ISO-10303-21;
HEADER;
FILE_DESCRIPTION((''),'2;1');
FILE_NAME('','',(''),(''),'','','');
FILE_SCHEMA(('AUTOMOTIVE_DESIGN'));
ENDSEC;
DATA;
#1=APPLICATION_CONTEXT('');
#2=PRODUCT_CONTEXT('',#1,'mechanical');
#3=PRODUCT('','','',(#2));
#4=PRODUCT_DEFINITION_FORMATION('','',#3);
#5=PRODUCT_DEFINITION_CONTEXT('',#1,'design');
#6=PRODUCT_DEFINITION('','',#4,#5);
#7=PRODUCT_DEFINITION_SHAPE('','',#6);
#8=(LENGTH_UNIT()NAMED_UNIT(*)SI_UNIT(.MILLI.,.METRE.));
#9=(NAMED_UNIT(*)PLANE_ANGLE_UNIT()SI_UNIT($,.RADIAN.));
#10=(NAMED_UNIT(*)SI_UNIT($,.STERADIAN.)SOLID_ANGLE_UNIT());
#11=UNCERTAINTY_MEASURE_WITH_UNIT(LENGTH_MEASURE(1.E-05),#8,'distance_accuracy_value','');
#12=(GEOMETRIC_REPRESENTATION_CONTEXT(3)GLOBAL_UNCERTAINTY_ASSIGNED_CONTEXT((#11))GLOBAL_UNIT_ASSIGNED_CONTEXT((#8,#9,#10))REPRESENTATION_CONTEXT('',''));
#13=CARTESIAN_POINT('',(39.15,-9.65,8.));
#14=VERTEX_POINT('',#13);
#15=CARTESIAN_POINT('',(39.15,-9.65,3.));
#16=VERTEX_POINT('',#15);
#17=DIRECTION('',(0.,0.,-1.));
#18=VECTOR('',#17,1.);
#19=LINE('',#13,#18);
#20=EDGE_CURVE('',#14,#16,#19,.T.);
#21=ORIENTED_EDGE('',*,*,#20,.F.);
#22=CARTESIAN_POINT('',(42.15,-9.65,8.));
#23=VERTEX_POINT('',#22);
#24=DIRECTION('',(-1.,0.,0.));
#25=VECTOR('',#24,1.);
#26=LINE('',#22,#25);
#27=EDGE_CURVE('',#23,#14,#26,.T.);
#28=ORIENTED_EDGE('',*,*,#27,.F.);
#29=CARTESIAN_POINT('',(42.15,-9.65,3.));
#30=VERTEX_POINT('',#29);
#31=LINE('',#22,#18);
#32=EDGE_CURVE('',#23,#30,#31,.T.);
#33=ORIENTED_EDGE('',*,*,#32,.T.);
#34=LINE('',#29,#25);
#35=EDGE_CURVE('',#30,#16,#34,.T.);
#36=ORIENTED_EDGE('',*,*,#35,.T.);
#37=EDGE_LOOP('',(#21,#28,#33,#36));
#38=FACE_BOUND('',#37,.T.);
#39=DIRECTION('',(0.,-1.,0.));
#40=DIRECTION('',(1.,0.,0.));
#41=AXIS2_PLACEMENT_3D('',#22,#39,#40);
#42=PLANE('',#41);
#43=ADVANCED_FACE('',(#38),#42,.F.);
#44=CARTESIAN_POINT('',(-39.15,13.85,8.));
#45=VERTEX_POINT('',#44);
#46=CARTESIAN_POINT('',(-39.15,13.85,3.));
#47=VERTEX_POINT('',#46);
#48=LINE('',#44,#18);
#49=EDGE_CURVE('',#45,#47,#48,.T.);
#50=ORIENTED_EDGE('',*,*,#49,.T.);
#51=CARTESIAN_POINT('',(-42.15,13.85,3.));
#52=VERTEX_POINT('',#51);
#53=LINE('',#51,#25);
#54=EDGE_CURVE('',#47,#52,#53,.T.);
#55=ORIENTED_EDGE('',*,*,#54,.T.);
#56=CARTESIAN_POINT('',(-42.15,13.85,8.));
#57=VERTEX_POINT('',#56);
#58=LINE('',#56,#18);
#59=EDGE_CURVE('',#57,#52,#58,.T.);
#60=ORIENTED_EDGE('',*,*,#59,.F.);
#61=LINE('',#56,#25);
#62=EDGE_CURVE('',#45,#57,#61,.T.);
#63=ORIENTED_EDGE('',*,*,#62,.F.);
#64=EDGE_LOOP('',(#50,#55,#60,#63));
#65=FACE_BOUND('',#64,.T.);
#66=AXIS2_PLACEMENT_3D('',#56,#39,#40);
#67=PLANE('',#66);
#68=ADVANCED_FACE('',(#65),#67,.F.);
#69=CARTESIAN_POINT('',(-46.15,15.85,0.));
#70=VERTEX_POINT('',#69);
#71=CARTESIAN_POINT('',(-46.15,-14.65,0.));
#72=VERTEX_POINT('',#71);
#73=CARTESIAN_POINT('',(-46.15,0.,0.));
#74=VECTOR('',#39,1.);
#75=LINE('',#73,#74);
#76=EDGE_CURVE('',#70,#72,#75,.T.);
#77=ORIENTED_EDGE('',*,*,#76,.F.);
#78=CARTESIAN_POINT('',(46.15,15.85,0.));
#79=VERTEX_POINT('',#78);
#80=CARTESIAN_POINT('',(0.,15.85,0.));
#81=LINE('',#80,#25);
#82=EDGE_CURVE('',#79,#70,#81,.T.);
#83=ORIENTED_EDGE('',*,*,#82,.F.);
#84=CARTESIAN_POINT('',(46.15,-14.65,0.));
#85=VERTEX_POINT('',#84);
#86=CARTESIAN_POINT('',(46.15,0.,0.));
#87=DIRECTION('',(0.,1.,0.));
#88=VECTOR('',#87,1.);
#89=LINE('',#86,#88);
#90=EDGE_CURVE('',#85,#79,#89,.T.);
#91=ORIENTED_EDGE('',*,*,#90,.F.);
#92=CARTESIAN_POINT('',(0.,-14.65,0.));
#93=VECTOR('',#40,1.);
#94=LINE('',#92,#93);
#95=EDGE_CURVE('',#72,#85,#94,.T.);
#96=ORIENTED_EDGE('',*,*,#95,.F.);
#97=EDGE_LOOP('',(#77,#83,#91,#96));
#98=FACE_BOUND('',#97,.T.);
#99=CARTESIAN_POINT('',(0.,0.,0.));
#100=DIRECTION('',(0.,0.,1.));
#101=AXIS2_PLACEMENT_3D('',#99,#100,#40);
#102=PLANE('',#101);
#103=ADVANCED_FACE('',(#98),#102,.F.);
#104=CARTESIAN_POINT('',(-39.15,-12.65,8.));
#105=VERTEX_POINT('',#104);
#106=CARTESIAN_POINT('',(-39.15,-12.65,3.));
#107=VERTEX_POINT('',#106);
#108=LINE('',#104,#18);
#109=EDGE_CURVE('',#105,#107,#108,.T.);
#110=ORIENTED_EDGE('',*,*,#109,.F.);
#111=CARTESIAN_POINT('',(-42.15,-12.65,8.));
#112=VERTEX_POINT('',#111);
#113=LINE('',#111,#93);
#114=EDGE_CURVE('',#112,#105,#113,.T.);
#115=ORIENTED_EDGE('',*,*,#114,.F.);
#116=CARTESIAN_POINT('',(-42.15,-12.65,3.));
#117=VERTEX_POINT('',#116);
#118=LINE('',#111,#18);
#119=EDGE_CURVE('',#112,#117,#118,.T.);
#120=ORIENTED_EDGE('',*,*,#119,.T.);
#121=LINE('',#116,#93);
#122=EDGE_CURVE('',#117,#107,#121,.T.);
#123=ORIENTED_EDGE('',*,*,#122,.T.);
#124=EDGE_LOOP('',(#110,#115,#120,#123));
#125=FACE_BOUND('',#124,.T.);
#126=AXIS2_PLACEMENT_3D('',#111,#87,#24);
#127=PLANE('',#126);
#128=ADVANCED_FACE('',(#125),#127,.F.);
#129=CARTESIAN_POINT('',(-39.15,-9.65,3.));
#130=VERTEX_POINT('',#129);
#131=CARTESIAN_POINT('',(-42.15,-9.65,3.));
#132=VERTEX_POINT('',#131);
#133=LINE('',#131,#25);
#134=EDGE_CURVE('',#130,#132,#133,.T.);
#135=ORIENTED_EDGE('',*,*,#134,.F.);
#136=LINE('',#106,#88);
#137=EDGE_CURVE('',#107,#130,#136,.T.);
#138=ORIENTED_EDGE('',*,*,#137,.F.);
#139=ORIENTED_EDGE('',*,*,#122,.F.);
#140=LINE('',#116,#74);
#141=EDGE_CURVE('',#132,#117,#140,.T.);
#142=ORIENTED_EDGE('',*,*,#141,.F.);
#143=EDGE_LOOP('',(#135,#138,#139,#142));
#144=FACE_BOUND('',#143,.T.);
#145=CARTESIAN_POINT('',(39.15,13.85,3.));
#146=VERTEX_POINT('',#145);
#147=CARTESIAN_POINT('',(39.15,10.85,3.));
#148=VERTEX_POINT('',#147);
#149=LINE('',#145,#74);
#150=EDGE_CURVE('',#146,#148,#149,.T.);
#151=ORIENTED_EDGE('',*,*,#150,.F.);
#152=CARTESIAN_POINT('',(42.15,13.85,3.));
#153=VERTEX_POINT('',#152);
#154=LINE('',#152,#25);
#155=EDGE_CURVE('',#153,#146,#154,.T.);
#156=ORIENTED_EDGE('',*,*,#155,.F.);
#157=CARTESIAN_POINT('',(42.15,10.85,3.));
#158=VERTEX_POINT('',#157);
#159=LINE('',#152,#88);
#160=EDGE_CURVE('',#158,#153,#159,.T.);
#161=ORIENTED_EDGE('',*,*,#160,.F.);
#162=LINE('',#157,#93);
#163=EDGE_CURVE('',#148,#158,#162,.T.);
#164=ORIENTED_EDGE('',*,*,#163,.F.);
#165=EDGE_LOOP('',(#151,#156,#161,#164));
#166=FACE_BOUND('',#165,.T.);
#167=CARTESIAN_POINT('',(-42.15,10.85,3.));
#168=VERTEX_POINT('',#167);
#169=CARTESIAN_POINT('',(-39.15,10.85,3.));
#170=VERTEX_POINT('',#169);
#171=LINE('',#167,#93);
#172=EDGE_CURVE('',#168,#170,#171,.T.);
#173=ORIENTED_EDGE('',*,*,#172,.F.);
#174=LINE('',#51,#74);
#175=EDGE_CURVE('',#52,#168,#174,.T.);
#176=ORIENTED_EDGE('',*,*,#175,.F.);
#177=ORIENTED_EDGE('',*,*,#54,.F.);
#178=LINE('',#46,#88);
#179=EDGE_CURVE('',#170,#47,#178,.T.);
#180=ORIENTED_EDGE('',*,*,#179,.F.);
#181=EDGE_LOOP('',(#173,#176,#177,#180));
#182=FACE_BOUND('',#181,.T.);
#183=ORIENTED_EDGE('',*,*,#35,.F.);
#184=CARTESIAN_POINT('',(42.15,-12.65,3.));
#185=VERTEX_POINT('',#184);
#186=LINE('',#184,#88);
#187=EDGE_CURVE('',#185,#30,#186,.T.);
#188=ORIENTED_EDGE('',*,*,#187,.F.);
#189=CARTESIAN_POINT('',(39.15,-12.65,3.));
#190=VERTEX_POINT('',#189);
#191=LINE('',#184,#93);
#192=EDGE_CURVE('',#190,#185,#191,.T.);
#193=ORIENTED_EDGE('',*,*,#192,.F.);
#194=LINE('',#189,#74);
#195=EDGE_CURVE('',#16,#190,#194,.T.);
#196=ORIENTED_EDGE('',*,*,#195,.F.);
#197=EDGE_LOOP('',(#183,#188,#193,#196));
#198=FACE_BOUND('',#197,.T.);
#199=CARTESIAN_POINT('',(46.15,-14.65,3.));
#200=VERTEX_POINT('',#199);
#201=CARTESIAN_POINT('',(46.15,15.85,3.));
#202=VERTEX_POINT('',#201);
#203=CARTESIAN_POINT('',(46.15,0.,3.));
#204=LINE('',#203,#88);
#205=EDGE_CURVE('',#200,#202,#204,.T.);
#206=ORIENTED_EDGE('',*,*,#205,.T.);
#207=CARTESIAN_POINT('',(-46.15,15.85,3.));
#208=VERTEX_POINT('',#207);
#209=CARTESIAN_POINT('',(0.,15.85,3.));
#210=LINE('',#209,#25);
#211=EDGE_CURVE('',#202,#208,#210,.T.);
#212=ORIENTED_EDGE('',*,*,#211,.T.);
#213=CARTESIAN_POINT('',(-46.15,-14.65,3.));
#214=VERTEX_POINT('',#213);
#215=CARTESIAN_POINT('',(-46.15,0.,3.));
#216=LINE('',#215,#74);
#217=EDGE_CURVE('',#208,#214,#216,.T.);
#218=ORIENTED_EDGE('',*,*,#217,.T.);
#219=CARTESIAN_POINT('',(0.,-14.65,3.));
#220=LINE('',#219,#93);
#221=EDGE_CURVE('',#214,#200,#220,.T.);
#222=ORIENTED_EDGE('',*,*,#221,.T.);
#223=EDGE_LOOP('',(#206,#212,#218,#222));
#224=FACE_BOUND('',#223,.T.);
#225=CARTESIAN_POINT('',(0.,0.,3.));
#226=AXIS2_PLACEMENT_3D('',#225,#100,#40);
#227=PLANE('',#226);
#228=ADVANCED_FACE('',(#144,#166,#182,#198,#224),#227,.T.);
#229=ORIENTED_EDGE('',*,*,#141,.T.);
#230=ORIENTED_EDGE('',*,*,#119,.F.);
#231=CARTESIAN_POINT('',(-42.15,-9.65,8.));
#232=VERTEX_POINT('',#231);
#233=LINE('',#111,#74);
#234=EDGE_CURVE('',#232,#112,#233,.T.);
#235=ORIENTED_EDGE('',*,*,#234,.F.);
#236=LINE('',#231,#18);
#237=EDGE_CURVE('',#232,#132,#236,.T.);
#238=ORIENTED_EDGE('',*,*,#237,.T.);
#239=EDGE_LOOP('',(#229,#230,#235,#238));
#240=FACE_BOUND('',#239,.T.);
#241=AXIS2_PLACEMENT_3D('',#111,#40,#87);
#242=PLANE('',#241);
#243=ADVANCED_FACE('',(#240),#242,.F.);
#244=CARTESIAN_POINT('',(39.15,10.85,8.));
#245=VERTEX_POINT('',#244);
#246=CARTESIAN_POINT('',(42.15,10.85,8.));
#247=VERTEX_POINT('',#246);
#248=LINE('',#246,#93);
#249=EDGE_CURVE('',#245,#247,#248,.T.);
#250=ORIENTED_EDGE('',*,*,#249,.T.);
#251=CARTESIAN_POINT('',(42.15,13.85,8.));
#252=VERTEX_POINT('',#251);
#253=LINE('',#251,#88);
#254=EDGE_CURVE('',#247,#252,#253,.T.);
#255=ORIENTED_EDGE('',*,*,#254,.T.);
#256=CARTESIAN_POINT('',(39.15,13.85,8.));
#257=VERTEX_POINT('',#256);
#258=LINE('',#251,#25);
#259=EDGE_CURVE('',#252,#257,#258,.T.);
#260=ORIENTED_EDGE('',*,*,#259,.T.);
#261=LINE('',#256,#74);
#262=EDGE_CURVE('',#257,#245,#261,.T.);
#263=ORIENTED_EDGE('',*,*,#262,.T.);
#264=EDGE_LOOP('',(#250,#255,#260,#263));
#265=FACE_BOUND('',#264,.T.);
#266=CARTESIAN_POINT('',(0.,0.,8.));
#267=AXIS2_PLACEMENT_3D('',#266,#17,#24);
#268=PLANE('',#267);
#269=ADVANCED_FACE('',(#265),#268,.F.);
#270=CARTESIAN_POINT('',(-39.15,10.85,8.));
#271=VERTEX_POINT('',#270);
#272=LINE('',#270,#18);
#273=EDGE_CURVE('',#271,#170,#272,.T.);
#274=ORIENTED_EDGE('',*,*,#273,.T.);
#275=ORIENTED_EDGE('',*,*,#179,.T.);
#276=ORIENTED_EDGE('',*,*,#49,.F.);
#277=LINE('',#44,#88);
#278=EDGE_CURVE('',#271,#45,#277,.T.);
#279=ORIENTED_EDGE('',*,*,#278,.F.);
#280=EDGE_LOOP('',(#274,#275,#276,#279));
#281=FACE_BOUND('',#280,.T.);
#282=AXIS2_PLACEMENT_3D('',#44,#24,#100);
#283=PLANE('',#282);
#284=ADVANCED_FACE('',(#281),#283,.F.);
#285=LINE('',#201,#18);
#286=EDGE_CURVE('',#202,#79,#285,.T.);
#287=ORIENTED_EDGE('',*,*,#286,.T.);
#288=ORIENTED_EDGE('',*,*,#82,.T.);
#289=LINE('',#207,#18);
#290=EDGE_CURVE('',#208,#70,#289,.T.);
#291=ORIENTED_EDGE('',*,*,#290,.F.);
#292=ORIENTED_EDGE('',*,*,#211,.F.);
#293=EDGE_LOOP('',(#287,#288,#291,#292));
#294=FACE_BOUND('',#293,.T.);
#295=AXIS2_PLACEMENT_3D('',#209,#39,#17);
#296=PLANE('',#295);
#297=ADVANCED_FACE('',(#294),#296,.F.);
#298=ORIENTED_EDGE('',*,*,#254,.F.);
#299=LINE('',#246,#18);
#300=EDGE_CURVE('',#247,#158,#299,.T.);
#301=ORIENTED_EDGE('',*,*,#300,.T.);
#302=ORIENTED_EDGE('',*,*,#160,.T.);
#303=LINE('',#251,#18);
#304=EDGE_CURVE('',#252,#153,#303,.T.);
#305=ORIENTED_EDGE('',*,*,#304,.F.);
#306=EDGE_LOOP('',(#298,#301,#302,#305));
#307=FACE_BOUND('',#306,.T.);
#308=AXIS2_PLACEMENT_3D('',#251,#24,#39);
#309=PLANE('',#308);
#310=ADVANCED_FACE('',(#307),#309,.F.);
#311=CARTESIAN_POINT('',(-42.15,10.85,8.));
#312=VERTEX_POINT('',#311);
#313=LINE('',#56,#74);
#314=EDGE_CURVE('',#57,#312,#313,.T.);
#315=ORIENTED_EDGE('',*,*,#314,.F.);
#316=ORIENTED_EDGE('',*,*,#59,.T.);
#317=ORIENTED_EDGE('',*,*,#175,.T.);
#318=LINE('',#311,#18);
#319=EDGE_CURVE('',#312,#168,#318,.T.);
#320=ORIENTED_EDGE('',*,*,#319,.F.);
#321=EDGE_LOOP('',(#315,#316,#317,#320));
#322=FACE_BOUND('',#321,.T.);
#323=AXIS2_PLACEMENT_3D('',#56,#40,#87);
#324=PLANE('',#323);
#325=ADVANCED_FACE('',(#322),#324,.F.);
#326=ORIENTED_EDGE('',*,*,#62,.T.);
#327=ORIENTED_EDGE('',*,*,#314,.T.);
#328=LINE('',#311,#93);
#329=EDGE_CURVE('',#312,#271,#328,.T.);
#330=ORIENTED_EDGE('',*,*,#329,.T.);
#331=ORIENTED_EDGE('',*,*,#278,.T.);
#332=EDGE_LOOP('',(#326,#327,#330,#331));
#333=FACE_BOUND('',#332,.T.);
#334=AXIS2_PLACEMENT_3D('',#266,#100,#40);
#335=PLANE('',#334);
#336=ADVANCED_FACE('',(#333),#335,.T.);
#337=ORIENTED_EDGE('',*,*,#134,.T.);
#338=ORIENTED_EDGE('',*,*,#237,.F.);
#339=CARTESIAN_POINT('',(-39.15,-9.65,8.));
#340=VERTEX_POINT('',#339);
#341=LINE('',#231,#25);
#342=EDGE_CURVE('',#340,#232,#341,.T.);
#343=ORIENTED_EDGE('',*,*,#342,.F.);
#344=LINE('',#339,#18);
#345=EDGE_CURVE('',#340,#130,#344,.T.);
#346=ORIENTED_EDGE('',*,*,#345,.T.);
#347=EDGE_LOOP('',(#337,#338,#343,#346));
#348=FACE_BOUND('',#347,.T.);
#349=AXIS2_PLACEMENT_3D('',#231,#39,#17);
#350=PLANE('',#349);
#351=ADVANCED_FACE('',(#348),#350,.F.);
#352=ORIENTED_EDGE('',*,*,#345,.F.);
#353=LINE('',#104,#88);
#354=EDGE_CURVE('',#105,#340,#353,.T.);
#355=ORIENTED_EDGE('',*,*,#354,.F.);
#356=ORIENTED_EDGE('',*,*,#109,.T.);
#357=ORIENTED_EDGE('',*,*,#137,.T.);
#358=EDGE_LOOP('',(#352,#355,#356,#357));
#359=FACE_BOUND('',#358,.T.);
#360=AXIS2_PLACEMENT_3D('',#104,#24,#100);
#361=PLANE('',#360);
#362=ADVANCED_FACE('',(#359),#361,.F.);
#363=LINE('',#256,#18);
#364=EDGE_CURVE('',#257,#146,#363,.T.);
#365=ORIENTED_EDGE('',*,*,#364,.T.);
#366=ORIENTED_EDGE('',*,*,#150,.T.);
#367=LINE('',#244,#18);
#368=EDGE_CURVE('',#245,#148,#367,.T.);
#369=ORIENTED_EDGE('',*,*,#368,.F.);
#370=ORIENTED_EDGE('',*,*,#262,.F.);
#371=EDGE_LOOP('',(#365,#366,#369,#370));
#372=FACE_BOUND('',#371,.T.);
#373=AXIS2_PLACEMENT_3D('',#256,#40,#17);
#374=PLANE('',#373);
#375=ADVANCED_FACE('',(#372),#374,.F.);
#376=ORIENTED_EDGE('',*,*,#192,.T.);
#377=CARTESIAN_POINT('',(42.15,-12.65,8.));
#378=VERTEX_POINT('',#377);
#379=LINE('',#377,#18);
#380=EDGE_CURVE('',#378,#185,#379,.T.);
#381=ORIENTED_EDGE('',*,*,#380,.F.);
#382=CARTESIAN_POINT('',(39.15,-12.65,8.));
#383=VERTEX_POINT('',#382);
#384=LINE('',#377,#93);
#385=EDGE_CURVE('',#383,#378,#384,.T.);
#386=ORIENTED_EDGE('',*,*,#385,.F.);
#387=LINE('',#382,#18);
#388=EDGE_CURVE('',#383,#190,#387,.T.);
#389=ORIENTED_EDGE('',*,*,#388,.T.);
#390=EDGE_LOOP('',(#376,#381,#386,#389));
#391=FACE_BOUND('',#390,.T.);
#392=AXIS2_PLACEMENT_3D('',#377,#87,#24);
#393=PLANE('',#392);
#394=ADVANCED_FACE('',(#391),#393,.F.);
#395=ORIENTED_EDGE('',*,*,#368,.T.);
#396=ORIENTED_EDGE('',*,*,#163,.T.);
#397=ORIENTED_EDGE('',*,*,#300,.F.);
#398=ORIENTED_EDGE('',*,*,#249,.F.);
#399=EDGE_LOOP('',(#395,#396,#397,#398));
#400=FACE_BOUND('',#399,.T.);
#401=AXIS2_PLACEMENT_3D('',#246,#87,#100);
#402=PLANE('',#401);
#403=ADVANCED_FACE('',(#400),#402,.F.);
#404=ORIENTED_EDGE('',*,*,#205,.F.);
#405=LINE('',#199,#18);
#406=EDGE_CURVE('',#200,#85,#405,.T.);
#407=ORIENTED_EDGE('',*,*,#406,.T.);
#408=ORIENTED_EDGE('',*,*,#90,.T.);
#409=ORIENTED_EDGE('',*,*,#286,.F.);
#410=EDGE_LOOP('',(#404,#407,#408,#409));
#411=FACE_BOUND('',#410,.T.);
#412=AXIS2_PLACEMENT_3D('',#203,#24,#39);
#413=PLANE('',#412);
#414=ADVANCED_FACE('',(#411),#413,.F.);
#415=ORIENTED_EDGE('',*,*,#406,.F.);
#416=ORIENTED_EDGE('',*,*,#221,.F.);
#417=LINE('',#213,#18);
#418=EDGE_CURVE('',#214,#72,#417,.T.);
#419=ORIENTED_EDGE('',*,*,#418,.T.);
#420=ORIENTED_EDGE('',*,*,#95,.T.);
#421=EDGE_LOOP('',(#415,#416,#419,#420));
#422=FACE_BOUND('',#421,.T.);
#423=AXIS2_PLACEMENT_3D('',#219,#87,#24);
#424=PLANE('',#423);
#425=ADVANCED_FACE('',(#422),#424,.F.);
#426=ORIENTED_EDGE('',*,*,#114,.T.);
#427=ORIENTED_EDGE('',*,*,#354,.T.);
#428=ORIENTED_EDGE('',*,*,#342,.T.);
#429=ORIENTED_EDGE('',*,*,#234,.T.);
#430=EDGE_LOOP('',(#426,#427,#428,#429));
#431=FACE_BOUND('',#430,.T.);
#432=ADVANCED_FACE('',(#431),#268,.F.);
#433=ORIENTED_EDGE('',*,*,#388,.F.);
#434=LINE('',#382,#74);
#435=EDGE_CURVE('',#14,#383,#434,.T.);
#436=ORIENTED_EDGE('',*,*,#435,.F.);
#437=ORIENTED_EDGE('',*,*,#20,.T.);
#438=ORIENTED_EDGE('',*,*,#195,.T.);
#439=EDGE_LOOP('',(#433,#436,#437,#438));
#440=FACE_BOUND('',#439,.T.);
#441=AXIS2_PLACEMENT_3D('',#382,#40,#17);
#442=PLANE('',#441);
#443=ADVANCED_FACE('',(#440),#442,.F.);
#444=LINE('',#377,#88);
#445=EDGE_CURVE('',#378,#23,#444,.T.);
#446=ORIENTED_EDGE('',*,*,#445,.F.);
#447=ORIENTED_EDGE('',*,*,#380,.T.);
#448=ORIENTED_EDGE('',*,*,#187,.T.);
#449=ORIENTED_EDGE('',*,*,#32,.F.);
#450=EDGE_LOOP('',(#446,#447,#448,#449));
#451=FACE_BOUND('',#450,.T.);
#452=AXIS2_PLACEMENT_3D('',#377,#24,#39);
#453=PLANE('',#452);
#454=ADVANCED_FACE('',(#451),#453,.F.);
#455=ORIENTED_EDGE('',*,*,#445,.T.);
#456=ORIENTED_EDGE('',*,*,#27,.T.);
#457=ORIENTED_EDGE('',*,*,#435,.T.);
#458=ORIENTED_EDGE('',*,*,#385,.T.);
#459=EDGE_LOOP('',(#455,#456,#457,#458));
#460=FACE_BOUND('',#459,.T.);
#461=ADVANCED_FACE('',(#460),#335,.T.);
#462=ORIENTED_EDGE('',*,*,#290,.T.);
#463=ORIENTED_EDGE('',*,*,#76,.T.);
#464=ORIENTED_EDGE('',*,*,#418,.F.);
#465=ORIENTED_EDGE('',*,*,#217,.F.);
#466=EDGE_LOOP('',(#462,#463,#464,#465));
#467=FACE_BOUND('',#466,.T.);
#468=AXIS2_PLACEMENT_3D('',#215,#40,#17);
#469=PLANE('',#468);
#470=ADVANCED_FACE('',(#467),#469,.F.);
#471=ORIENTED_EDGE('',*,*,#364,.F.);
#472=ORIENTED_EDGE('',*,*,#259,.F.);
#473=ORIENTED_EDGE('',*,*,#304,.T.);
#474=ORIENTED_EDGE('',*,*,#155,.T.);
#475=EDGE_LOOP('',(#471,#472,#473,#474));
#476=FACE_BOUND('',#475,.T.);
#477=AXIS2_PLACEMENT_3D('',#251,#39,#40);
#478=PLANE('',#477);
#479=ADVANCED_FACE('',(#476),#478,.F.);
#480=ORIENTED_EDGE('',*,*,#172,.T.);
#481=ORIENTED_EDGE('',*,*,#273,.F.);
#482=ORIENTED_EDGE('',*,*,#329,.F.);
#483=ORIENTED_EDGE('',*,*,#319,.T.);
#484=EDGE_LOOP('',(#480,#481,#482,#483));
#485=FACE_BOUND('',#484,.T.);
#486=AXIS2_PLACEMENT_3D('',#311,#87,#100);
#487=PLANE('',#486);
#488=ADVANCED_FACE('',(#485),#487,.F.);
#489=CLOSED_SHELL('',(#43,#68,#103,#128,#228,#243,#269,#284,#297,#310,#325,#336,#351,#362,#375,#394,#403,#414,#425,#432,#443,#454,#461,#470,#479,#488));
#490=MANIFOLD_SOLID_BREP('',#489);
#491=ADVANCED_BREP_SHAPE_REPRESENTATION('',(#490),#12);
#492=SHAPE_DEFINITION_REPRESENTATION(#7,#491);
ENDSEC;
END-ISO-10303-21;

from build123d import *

# Parameters (mm, degrees)
SKETCH1_W           = 92.3
SKETCH1_H           = 30.5
SKETCH1_W_2         = 84.3
SKETCH1_H_2         = 26.5
BOSS_EXTRUDE1_DEPTH = 3
SKETCH2_W           = 3
SKETCH2_H           = 3
BOSS_EXTRUDE2_DEPTH = 5


with BuildPart() as part:
    # Sketch1 → Boss-Extrude1 (new body)
    # profile 1 of 2: a face of its own
    with BuildSketch(Plane.XY):
        with Locations((0, 0.6)):
            Rectangle(SKETCH1_W, SKETCH1_H)
        with Locations((0, 0.6)):
            Rectangle(SKETCH1_W_2, SKETCH1_H_2, mode=Mode.SUBTRACT)
    # profile 2 of 2: a face of its own
    with BuildSketch(Plane.XY):
        with Locations((0, 0.6)):
            Rectangle(SKETCH1_W_2, SKETCH1_H_2)
    extrude(amount=BOSS_EXTRUDE1_DEPTH)

    # Sketch2 → Boss-Extrude2 (add)
    with BuildSketch(Plane.XY.offset(3)):
        with Locations((-40.65, 12.35)):
            Rectangle(SKETCH2_W, SKETCH2_H)
        with Locations((40.65, 12.35)):
            Rectangle(SKETCH2_W, SKETCH2_H)
        with Locations((40.65, -11.15)):
            Rectangle(SKETCH2_W, SKETCH2_H)
        with Locations((-40.65, -11.15)):
            Rectangle(SKETCH2_W, SKETCH2_H)
    extrude(amount=BOSS_EXTRUDE2_DEPTH)


solid = part.part
